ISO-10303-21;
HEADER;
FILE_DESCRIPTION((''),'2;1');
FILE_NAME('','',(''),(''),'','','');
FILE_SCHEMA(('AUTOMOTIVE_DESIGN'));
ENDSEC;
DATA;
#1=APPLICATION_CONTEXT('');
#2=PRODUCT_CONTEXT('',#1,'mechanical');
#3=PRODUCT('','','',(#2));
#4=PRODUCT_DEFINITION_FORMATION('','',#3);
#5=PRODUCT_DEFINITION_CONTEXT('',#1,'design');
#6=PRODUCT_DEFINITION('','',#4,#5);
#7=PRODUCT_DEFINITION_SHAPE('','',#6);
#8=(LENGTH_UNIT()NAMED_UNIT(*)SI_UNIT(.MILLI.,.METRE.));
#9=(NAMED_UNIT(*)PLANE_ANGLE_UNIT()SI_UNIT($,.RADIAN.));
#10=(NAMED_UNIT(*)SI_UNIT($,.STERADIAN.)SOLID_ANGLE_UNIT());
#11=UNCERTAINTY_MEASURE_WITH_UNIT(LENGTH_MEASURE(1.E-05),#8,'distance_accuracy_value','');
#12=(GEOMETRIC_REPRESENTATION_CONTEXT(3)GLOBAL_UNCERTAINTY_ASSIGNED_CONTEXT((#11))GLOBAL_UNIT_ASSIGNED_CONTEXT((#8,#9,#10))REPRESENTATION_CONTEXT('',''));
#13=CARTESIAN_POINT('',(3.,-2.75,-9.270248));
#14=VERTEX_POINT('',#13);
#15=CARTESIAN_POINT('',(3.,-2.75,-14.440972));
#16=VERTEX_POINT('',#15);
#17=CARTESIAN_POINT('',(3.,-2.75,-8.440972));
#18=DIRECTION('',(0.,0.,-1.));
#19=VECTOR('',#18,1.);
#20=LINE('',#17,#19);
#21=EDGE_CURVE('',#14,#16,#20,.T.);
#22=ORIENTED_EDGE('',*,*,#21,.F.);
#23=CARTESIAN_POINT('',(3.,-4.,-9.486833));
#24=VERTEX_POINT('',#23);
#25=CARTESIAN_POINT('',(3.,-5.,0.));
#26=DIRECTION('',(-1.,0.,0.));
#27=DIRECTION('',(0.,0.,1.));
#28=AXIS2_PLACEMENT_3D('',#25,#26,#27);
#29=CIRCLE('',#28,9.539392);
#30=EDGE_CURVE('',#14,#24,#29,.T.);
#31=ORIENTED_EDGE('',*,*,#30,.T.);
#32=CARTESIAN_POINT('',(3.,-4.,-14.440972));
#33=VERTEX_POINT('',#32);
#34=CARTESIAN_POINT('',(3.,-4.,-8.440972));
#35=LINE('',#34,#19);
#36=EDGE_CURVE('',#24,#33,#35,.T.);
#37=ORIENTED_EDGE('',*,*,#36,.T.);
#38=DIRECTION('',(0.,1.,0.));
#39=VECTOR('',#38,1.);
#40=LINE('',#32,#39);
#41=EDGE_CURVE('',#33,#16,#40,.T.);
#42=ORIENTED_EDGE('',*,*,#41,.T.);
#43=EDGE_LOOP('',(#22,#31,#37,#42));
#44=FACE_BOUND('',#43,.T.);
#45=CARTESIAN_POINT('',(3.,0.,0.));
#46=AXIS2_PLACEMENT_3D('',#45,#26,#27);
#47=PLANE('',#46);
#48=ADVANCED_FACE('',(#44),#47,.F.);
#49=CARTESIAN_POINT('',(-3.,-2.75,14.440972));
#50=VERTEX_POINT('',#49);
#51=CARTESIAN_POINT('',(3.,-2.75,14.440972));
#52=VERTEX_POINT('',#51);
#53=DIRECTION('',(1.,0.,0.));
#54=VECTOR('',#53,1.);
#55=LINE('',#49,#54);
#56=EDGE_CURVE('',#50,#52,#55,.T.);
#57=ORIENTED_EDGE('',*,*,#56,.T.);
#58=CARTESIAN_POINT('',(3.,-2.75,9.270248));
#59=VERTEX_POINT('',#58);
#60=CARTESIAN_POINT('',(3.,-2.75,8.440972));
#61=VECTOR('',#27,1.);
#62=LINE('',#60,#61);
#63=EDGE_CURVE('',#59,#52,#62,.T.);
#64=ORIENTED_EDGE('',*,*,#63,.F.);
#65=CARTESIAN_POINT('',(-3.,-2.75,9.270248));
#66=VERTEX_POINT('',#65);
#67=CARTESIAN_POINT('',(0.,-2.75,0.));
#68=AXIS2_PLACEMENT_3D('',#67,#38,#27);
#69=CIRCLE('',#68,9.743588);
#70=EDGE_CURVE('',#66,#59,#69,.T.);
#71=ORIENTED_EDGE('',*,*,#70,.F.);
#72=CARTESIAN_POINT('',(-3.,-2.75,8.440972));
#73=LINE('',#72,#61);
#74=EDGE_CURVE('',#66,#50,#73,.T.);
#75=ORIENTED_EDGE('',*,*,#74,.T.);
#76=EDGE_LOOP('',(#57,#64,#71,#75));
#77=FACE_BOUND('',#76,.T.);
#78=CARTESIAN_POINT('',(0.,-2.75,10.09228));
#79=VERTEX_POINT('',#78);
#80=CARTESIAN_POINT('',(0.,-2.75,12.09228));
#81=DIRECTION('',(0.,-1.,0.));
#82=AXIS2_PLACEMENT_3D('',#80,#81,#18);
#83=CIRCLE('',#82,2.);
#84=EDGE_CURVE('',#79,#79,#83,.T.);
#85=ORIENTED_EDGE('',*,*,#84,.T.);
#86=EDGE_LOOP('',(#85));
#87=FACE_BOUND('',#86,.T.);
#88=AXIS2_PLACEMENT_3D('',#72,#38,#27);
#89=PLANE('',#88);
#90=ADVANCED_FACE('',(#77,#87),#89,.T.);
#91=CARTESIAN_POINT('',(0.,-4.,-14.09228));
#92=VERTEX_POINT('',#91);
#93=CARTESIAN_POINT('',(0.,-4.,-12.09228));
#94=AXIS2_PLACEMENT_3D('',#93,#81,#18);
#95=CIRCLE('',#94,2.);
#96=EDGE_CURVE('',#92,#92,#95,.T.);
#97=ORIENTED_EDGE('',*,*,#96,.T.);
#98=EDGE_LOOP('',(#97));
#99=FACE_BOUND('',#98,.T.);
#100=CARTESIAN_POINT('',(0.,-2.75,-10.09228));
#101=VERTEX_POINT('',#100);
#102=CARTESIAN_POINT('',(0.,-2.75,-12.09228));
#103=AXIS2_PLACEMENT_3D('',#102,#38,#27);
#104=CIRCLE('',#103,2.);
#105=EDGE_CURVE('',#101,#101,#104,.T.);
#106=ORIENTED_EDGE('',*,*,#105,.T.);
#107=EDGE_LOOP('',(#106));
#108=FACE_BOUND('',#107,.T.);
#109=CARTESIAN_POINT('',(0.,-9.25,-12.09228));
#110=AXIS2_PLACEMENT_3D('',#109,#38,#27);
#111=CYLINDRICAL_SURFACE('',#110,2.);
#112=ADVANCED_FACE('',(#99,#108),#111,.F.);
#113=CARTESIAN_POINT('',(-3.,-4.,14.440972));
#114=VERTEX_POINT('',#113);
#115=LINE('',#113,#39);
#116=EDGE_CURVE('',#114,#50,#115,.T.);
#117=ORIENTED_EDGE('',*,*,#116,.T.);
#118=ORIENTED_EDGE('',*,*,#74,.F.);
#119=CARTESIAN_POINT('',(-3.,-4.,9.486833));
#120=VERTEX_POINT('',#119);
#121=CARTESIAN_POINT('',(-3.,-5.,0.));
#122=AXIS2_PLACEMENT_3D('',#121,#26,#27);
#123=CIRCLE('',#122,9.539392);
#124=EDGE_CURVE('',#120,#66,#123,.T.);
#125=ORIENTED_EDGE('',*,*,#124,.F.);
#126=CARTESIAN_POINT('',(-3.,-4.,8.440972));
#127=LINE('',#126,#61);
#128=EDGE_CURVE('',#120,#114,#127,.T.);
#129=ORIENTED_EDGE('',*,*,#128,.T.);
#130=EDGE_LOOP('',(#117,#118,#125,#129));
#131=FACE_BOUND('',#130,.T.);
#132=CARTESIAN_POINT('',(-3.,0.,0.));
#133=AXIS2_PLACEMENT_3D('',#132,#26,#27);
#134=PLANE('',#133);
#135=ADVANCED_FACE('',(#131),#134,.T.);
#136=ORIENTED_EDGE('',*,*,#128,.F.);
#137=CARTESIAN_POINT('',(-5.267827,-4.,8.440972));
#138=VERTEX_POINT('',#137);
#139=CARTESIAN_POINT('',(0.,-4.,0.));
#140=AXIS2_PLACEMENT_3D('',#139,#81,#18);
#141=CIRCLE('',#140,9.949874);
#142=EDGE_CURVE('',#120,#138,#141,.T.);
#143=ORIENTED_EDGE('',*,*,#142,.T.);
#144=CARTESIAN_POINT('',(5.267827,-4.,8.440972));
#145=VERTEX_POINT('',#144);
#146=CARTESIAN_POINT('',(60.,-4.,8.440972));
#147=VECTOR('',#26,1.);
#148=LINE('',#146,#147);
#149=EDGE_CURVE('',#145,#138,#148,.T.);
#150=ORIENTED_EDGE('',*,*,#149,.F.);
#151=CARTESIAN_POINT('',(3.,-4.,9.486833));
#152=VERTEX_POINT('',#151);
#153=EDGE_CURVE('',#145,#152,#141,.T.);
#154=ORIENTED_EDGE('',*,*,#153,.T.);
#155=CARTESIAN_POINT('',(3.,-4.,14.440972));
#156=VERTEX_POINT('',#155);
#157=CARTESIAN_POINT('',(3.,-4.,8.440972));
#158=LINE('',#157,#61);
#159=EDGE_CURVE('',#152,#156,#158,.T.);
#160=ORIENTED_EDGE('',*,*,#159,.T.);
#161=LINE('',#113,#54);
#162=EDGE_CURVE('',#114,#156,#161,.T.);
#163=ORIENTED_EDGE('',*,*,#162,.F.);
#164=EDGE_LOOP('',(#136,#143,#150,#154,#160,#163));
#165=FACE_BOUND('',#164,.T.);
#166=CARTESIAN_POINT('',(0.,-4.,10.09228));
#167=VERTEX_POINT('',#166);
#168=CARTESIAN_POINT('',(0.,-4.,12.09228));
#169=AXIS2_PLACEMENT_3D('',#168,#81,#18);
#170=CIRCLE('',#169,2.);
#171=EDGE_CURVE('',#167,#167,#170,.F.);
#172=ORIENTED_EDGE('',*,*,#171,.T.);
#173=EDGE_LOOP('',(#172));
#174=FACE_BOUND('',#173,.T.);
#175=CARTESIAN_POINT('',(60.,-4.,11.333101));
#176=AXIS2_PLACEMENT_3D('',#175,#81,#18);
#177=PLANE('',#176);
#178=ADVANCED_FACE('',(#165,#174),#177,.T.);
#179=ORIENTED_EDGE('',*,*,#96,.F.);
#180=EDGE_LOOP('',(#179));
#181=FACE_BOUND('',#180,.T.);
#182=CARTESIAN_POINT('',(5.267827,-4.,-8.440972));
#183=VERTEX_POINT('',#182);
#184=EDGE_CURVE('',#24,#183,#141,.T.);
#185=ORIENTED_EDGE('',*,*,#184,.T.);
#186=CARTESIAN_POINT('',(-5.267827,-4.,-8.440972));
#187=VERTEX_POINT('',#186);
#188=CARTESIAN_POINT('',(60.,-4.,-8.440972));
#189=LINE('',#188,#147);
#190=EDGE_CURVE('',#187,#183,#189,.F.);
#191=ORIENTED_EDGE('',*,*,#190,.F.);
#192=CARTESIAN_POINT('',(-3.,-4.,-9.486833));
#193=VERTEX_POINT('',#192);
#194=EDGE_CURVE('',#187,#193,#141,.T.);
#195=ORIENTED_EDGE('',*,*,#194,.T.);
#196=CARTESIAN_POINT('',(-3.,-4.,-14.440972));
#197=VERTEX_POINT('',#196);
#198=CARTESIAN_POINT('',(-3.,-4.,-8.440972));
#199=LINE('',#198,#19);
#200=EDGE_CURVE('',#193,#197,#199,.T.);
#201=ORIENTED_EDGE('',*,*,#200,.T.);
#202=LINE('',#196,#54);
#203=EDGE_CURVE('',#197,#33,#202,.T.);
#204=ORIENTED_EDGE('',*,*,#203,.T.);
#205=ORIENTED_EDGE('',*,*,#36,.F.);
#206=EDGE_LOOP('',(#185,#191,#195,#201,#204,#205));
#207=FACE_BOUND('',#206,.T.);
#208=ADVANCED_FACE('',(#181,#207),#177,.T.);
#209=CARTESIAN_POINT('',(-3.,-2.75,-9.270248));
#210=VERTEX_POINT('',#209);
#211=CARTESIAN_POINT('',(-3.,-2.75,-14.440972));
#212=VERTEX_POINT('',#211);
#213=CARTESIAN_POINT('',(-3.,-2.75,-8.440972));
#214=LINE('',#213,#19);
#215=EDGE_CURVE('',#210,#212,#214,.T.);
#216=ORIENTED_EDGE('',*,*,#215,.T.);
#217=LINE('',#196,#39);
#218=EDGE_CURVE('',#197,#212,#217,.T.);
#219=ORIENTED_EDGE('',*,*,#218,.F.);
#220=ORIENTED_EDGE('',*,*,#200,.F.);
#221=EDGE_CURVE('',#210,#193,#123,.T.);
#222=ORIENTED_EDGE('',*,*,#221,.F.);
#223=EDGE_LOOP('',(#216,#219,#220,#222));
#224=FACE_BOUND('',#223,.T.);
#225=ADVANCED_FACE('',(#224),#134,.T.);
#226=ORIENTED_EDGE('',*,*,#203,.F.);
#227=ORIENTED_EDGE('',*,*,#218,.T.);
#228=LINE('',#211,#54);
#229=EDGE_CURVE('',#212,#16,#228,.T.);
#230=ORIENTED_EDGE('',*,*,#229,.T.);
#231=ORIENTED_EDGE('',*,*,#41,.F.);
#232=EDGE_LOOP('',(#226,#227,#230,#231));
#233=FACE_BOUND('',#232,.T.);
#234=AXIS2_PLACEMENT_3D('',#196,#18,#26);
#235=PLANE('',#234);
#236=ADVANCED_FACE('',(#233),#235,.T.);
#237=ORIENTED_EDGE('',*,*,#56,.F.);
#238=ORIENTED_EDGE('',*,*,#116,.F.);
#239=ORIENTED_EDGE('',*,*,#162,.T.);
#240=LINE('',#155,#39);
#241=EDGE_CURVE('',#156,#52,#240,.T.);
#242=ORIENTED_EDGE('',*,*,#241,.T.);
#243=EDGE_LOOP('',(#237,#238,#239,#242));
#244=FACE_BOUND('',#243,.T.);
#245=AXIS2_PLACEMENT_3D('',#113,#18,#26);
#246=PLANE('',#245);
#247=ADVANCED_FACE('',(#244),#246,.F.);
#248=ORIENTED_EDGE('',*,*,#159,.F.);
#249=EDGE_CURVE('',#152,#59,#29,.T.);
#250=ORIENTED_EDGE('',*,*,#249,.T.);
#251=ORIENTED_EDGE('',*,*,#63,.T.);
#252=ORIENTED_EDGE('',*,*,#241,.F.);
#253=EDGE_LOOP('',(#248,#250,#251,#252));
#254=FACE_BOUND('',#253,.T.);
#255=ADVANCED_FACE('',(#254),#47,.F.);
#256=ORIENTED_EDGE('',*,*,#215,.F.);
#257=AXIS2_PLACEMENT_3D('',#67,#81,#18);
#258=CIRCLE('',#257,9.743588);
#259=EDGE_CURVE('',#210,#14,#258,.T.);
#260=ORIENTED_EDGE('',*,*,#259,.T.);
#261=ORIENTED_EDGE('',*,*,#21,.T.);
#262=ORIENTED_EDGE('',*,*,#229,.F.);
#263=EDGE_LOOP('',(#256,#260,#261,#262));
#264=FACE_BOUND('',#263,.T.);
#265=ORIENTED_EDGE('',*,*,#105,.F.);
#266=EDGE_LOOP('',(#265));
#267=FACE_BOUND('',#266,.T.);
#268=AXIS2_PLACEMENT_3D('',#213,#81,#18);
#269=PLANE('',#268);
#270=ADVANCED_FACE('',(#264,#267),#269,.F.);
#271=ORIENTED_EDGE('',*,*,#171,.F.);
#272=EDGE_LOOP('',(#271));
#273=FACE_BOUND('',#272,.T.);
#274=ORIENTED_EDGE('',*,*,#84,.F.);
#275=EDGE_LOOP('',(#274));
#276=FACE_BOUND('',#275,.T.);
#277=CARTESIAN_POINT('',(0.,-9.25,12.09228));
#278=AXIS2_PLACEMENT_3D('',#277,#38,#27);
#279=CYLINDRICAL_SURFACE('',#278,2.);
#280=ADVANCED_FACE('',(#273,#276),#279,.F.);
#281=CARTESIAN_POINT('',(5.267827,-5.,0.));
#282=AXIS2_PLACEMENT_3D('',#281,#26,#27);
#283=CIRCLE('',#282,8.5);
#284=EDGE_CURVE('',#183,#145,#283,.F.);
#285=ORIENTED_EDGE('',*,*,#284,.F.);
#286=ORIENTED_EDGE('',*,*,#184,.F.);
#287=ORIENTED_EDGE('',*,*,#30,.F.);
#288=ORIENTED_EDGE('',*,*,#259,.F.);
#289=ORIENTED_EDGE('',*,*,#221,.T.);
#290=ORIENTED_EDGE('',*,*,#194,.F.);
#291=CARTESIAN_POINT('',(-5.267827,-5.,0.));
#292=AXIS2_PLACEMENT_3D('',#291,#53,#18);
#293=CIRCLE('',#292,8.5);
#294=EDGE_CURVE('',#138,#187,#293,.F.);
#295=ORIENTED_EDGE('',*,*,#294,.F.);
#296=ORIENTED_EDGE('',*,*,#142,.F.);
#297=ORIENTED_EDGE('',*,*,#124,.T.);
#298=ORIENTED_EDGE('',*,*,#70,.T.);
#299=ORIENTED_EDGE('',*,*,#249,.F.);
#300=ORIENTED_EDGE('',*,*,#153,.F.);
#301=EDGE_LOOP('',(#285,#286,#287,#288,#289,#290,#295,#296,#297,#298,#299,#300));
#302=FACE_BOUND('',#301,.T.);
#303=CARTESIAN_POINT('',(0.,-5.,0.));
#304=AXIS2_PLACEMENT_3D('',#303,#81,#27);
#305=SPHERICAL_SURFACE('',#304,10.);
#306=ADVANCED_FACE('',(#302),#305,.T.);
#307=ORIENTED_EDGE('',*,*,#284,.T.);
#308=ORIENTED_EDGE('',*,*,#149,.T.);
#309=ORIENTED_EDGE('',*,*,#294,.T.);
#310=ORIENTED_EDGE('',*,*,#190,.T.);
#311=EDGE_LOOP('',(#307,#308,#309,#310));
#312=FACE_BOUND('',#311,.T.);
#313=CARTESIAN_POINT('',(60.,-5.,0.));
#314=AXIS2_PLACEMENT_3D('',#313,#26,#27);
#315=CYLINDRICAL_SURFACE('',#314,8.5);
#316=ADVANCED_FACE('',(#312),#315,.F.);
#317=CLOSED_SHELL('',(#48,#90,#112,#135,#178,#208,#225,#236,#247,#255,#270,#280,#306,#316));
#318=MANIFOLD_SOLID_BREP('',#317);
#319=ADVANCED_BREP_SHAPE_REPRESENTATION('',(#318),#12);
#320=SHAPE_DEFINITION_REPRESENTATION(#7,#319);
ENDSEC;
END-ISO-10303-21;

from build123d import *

# Parameters (mm, degrees)
SKETCH2_R                = 10
BOSS_EXTRUDE1_DEPTH      = 30
CUT_EXTRUDE1_START       = -10
SKETCH3_R                = 10
SKETCH3_R_2              = 7.5
CUT_EXTRUDE1_DEPTH       = 10
CUT_EXTRUDE3_DEPTH       = 10
CUT_EXTRUDE3_DEPTH_BACK  = 10
SKETCH5_R                = 2
FILLET2_R                = 10
BOSS_EXTRUDE2_START      = -67.5
SKETCH7_R                = 10
BOSS_EXTRUDE2_DEPTH      = 67.5
SKETCH8_R                = 50
SKETCH8_R_2              = 10
CUT_EXTRUDE6_DEPTH       = 107.770782567
SKETCH9_R                = 7.5
CUT_EXTRUDE7_DEPTH       = 10
CUT_EXTRUDE8_DEPTH       = 10
CUT_EXTRUDE8_DEPTH_BACK  = 10
SKETCH10_R               = 2
CUT_EXTRUDE9_START       = -60
SKETCH11_R               = 10
SKETCH11_R_2             = 7.5
CUT_EXTRUDE9_DEPTH       = 60
CUT_EXTRUDE10_START      = -60
SKETCH12_R               = 7.5
CUT_EXTRUDE10_DEPTH      = 60
CUT_EXTRUDE11_DEPTH      = 60
CUT_EXTRUDE11_DEPTH_BACK = 60
SKETCH14_R               = 8.5
CUT_EXTRUDE12_DEPTH      = 60
CUT_EXTRUDE12_DEPTH_BACK = 60
SKETCH15_W               = 22.666202576
SKETCH15_H               = 2
BOSS_EXTRUDE3_DEPTH      = 3
BOSS_EXTRUDE3_DEPTH_BACK = 3
SKETCH16_W               = 6
SKETCH16_H               = 1.25
SKETCH18_R               = 2
CUT_EXTRUDE13_DEPTH      = 6.5
CUT_EXTRUDE14_DEPTH      = 12.5
CUT_EXTRUDE14_DEPTH_BACK = 16.5
SKETCH19_W               = 29.24547319
SKETCH19_H               = 20.10627683


with BuildPart() as part:
    # Sketch1 → Revolve1 (revolve)
    with BuildSketch(Plane.XY):
        Polygon((50, 25), (0, 25), (0, 22.5), (45, 22.5), (45, -22.5), (0, -22.5), (0, -25), (50, -25), align=None)
    revolve(axis=Axis((0, -25, 0), (0, 1, 0)))

    # Sketch2 → Boss-Extrude1 (add)
    with BuildSketch(Plane(origin=(0, 25, 0), x_dir=(1, 0, 0), z_dir=(0, 1, 0))):
        with Locations(Location((0, 0, 0), (0, 0, 180))):
            Circle(SKETCH2_R)
    extrude(amount=BOSS_EXTRUDE1_DEPTH)

    # Sketch3 → Cut-Extrude1 (cut)
    with BuildSketch(Plane(origin=(0, 55, 0), x_dir=(1, 0, 0), z_dir=(0, 1, 0)).offset(CUT_EXTRUDE1_START)):
        with Locations(Location((0, 0, 0), (0, 0, 180))):
            Circle(SKETCH3_R)
        with Locations(Location((0, 0, 0), (0, 0, 180))):
            Circle(SKETCH3_R_2, mode=Mode.SUBTRACT)
    extrude(amount=CUT_EXTRUDE1_DEPTH, mode=Mode.SUBTRACT)

    # Sketch5 → Cut-Extrude3 (cut, two sides: drawn at the far end of the back side and taken through both)
    with BuildSketch(Plane(origin=(0, 0, 0), x_dir=(0, 0, -1), z_dir=(1, 0, 0)).offset(-CUT_EXTRUDE3_DEPTH_BACK)):
        with Locations(Location((0, 50, 0), (0, 0, 180))):
            Circle(SKETCH5_R)
    extrude(amount=CUT_EXTRUDE3_DEPTH + CUT_EXTRUDE3_DEPTH_BACK, mode=Mode.SUBTRACT)

    # Fillet2
    fillet2_edges = [part.edges().sort_by_distance(p)[0] for p in [
        (-50, 25, 0),
    ]]
    fillet(fillet2_edges, radius=FILLET2_R)

    # Sketch7 → Boss-Extrude2 (add)
    with BuildSketch(Plane(origin=(0, 45, 0), x_dir=(1, 0, 0), z_dir=(0, 1, 0)).offset(BOSS_EXTRUDE2_START)):
        with Locations(Location((0, 0, 0), (0, 0, 180))):
            Circle(SKETCH7_R)
    extrude(amount=BOSS_EXTRUDE2_DEPTH)

    # Sketch8 → Cut-Extrude6 (cut, through all)
    with BuildSketch(Plane(origin=(0, 55, 0), x_dir=(1, 0, 0), z_dir=(0, 1, 0))):
        Circle(SKETCH8_R)
        with Locations(Location((0, 0, 0), (0, 0, 180))):
            Circle(SKETCH8_R_2, mode=Mode.SUBTRACT)
    extrude(amount=-CUT_EXTRUDE6_DEPTH, mode=Mode.SUBTRACT)

    # Sketch9 → Cut-Extrude7 (cut)
    with BuildSketch(Plane.XZ.offset(25)):
        with Locations(Location((0, 0, 0), (0, 0, 180))):
            Circle(SKETCH9_R)
    extrude(amount=-CUT_EXTRUDE7_DEPTH, mode=Mode.SUBTRACT)

    # Sketch10 → Cut-Extrude8 (cut, two sides: drawn at the far end of the back side and taken through both)
    with BuildSketch(Plane(origin=(0, 0, 0), x_dir=(0, 0, -1), z_dir=(1, 0, 0)).offset(-CUT_EXTRUDE8_DEPTH_BACK)):
        with Locations(Location((0, -20, 0), (0, 0, 180))):
            Circle(SKETCH10_R)
    extrude(amount=CUT_EXTRUDE8_DEPTH + CUT_EXTRUDE8_DEPTH_BACK, mode=Mode.SUBTRACT)

    # Sketch11 → Cut-Extrude9 (cut)
    with BuildSketch(Plane(origin=(0, 55, 0), x_dir=(1, 0, 0), z_dir=(0, 1, 0)).offset(CUT_EXTRUDE9_START)):
        with Locations(Location((0, 0, 0), (0, 0, 180))):
            Circle(SKETCH11_R)
        Circle(SKETCH11_R_2, mode=Mode.SUBTRACT)
    extrude(amount=CUT_EXTRUDE9_DEPTH, mode=Mode.SUBTRACT)

    # Sketch12 → Cut-Extrude10 (cut)
    with BuildSketch(Plane(origin=(0, 55, 0), x_dir=(1, 0, 0), z_dir=(0, 1, 0)).offset(CUT_EXTRUDE10_START)):
        Circle(SKETCH12_R)
    extrude(amount=CUT_EXTRUDE10_DEPTH, mode=Mode.SUBTRACT)

    # Sketch13 → Revolve2 (revolve)
    with BuildSketch(Plane(origin=(0, 0, 0), x_dir=(0, 0, -1), z_dir=(1, 0, 0))):
        with BuildLine():
            Line((0, -15), (0, 5))
            ThreePointArc((0, 5), (-10, -5), (0, -15))
        make_face()
    revolve(axis=Axis((0, -15, 0), (0, 1, 0)))

    # Sketch14 → Cut-Extrude11 (cut, two sides: drawn at the far end of the back side and taken through both)
    with BuildSketch(Plane(origin=(0, 0, 0), x_dir=(0, 0, -1), z_dir=(1, 0, 0)).offset(-CUT_EXTRUDE11_DEPTH_BACK)):
        with Locations(Location((0, -5, 0), (0, 0, 180))):
            Circle(SKETCH14_R)
    extrude(amount=CUT_EXTRUDE11_DEPTH + CUT_EXTRUDE11_DEPTH_BACK, mode=Mode.SUBTRACT)

    # Sketch15 → Cut-Extrude12 (cut, two sides: drawn at the far end of the back side and taken through both)
    with BuildSketch(Plane(origin=(0, 0, 0), x_dir=(0, 0, -1), z_dir=(1, 0, 0)).offset(-CUT_EXTRUDE12_DEPTH_BACK)):
        with Locations((0, -5)):
            Rectangle(SKETCH15_W, SKETCH15_H)
    extrude(amount=CUT_EXTRUDE12_DEPTH + CUT_EXTRUDE12_DEPTH_BACK, mode=Mode.SUBTRACT)


with BuildPart() as cut_extrude12_piece_1:
    # of the separate pieces the step leaves, piece 1, a body of its own (cut_extrude12_pieces)
    add(part.part.solids().sort_by_distance((-10, -25, 0))[0])



with BuildPart() as cut_extrude12_piece_2:
    # of the separate pieces the step leaves, piece 2, a body of its own (cut_extrude12_pieces)
    add(part.part.solids().sort_by_distance((5.267826876, -4, 8.440971508))[0])


with BuildPart() as cut_extrude12_piece_1_1:
    add(cut_extrude12_piece_1.part)

    add(cut_extrude12_piece_2.part)  # Boss-Extrude3 merges Cut-Extrude12 piece 2
    # Sketch16 → Boss-Extrude3 (add, two sides: drawn at the far end of the back side and taken through both)
    with BuildSketch(Plane(origin=(0, 0, 0), x_dir=(0, 0, -1), z_dir=(1, 0, 0)).offset(-BOSS_EXTRUDE3_DEPTH_BACK)):
        with Locations((-11.440971508, -3.375)):
            Rectangle(SKETCH16_W, SKETCH16_H)
        with Locations((11.440971508, -3.375)):
            Rectangle(SKETCH16_W, SKETCH16_H)
        with Locations((11.440971508, -6.625)):
            Rectangle(SKETCH16_W, SKETCH16_H)
        with Locations((-11.440971508, -6.625)):
            Rectangle(SKETCH16_W, SKETCH16_H)
    extrude(amount=BOSS_EXTRUDE3_DEPTH + BOSS_EXTRUDE3_DEPTH_BACK)

    # Sketch18 → Cut-Extrude13 (cut)
    with BuildSketch(Plane(origin=(0, -2.75, 0), x_dir=(1, 0, 0), z_dir=(0, 1, 0))):
        with Locations(Location((0, 12.092279572, 0), (0, 0, 270))):
            Circle(SKETCH18_R)
        with Locations(Location((0, -12.092279572, 0), (0, 0, 90))):
            Circle(SKETCH18_R)
    extrude(amount=-CUT_EXTRUDE13_DEPTH, mode=Mode.SUBTRACT)

    # Sketch19 → Cut-Extrude14 (cut, two sides: drawn at the far end of the back side and taken through both)
    with BuildSketch(Plane(origin=(0, 0, 0), x_dir=(0, 0, -1), z_dir=(1, 0, 0)).offset(-CUT_EXTRUDE14_DEPTH_BACK)):
        with Locations((0.181765087, -16.053138415)):
            Rectangle(SKETCH19_W, SKETCH19_H)
    extrude(amount=CUT_EXTRUDE14_DEPTH + CUT_EXTRUDE14_DEPTH_BACK, mode=Mode.SUBTRACT)


solid = cut_extrude12_piece_1_1.part
